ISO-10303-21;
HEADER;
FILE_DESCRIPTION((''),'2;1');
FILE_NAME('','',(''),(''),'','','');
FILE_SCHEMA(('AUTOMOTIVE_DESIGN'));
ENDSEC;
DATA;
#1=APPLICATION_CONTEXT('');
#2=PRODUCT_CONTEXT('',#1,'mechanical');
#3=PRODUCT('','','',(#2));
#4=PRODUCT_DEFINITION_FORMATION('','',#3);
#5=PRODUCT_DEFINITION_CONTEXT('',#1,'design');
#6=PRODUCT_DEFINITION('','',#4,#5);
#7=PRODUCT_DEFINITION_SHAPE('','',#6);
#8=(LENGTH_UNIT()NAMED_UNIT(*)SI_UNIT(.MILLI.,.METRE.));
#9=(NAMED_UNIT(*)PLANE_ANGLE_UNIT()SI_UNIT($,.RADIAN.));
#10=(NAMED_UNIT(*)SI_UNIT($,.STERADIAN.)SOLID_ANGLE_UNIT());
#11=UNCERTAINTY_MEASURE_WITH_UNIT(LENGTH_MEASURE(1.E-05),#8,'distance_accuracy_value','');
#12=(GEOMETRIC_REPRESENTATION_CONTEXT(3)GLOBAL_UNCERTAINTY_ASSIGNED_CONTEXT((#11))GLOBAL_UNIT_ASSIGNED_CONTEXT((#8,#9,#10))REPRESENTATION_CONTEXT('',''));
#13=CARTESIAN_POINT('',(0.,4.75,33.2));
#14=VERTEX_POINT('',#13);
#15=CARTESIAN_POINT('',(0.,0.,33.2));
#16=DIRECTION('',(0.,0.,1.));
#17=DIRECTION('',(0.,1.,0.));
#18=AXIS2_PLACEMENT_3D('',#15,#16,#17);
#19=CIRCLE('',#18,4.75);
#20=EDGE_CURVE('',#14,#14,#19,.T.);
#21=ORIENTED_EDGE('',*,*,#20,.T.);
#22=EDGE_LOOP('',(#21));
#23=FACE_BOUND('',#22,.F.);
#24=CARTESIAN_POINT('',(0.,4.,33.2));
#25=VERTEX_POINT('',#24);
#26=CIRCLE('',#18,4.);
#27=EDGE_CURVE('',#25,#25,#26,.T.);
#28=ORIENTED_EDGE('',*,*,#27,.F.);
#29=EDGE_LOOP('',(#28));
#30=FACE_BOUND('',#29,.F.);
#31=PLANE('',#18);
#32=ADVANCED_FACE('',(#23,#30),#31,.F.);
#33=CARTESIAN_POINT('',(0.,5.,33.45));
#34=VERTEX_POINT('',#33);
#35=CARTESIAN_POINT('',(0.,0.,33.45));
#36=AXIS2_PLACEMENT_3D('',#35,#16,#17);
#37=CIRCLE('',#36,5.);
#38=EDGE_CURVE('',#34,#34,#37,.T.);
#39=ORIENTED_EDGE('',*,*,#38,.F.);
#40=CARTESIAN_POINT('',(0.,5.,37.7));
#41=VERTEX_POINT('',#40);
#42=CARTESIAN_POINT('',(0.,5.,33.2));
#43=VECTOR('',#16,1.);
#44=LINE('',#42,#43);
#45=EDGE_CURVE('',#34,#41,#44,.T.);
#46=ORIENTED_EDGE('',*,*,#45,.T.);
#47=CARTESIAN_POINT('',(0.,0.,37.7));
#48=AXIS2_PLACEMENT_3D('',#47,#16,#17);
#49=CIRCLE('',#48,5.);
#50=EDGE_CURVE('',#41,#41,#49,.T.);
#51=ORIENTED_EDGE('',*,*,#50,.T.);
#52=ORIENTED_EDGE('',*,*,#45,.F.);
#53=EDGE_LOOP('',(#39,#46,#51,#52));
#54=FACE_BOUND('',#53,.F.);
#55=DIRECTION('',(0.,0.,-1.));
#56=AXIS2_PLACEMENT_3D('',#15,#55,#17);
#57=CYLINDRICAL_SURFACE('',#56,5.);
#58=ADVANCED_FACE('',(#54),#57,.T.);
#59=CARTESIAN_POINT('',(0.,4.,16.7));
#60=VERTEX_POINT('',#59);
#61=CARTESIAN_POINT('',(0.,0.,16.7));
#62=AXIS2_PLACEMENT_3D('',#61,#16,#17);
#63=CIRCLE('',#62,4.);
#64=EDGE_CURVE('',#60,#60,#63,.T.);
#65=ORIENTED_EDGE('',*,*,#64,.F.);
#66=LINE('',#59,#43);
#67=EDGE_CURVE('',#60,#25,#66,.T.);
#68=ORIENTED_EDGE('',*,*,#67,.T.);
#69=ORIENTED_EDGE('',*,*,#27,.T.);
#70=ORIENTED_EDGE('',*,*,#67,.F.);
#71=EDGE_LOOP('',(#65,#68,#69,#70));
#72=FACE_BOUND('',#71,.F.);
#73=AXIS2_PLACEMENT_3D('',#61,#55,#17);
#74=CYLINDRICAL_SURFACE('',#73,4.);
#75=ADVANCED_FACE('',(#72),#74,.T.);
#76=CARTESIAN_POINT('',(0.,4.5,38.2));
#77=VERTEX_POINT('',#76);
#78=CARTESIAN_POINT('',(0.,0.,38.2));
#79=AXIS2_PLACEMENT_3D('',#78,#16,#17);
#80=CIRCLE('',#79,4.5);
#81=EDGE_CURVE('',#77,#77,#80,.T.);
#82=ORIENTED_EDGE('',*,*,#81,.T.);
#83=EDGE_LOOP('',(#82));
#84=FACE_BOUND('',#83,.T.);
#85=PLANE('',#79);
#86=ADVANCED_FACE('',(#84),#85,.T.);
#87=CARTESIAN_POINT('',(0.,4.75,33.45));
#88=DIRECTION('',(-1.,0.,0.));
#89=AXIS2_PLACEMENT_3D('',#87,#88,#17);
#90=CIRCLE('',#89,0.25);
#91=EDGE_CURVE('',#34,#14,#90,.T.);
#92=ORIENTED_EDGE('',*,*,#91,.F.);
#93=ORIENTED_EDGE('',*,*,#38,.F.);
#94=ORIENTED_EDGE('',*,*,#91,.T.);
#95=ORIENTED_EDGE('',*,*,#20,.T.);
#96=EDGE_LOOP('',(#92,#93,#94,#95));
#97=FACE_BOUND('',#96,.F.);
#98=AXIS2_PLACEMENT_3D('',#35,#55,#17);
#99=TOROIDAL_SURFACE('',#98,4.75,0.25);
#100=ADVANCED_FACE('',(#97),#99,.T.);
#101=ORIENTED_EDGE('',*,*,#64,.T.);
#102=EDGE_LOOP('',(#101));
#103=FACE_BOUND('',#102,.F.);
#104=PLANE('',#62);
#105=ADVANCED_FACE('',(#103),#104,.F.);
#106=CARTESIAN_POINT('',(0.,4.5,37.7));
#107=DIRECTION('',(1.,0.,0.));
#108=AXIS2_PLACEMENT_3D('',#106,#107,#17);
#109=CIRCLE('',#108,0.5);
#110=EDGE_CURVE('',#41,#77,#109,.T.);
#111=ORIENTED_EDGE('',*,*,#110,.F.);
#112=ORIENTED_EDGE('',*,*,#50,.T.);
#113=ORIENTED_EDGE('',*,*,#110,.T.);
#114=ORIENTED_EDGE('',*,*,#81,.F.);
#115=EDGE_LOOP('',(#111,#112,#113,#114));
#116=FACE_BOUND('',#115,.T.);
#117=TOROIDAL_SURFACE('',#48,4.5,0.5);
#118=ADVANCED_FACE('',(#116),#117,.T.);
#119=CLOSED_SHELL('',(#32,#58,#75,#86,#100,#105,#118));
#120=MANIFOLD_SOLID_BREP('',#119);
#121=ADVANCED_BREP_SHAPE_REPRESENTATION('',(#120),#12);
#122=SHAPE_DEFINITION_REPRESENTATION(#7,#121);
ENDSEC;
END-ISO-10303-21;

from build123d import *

# Parameters (mm, degrees)
SKETCH019_R  = 4
PAD008_DEPTH = 16.5
SKETCH020_R  = 5
PAD009_DEPTH = 5
FILLET001_R  = 0.25
FILLET002_R  = 0.5


with BuildPart() as part:
    # Sketch019 → Pad008 (new body)
    with BuildSketch(Plane(origin=(0, 0, 16.7), x_dir=(0, 1, 0), z_dir=(0, 0, 1))):
        Circle(SKETCH019_R)
    extrude(amount=PAD008_DEPTH)

    # Sketch020 (on Face3 of Pad008) → Pad009 (join)
    with BuildSketch(Plane(origin=(0, 0, 33.2), x_dir=(0, 1, 0), z_dir=(0, 0, 1))):
        Circle(SKETCH020_R)
    extrude(amount=PAD009_DEPTH)

    # Fillet001
    fillet001_edges = [part.edges().sort_by_distance(p)[0] for p in [
        (0, -5, 33.2),
    ]]
    fillet(fillet001_edges, radius=FILLET001_R)

    # Fillet002
    fillet002_edges = [part.edges().sort_by_distance(p)[0] for p in [
        (0, -5, 38.2),
    ]]
    fillet(fillet002_edges, radius=FILLET002_R)


solid = part.part
